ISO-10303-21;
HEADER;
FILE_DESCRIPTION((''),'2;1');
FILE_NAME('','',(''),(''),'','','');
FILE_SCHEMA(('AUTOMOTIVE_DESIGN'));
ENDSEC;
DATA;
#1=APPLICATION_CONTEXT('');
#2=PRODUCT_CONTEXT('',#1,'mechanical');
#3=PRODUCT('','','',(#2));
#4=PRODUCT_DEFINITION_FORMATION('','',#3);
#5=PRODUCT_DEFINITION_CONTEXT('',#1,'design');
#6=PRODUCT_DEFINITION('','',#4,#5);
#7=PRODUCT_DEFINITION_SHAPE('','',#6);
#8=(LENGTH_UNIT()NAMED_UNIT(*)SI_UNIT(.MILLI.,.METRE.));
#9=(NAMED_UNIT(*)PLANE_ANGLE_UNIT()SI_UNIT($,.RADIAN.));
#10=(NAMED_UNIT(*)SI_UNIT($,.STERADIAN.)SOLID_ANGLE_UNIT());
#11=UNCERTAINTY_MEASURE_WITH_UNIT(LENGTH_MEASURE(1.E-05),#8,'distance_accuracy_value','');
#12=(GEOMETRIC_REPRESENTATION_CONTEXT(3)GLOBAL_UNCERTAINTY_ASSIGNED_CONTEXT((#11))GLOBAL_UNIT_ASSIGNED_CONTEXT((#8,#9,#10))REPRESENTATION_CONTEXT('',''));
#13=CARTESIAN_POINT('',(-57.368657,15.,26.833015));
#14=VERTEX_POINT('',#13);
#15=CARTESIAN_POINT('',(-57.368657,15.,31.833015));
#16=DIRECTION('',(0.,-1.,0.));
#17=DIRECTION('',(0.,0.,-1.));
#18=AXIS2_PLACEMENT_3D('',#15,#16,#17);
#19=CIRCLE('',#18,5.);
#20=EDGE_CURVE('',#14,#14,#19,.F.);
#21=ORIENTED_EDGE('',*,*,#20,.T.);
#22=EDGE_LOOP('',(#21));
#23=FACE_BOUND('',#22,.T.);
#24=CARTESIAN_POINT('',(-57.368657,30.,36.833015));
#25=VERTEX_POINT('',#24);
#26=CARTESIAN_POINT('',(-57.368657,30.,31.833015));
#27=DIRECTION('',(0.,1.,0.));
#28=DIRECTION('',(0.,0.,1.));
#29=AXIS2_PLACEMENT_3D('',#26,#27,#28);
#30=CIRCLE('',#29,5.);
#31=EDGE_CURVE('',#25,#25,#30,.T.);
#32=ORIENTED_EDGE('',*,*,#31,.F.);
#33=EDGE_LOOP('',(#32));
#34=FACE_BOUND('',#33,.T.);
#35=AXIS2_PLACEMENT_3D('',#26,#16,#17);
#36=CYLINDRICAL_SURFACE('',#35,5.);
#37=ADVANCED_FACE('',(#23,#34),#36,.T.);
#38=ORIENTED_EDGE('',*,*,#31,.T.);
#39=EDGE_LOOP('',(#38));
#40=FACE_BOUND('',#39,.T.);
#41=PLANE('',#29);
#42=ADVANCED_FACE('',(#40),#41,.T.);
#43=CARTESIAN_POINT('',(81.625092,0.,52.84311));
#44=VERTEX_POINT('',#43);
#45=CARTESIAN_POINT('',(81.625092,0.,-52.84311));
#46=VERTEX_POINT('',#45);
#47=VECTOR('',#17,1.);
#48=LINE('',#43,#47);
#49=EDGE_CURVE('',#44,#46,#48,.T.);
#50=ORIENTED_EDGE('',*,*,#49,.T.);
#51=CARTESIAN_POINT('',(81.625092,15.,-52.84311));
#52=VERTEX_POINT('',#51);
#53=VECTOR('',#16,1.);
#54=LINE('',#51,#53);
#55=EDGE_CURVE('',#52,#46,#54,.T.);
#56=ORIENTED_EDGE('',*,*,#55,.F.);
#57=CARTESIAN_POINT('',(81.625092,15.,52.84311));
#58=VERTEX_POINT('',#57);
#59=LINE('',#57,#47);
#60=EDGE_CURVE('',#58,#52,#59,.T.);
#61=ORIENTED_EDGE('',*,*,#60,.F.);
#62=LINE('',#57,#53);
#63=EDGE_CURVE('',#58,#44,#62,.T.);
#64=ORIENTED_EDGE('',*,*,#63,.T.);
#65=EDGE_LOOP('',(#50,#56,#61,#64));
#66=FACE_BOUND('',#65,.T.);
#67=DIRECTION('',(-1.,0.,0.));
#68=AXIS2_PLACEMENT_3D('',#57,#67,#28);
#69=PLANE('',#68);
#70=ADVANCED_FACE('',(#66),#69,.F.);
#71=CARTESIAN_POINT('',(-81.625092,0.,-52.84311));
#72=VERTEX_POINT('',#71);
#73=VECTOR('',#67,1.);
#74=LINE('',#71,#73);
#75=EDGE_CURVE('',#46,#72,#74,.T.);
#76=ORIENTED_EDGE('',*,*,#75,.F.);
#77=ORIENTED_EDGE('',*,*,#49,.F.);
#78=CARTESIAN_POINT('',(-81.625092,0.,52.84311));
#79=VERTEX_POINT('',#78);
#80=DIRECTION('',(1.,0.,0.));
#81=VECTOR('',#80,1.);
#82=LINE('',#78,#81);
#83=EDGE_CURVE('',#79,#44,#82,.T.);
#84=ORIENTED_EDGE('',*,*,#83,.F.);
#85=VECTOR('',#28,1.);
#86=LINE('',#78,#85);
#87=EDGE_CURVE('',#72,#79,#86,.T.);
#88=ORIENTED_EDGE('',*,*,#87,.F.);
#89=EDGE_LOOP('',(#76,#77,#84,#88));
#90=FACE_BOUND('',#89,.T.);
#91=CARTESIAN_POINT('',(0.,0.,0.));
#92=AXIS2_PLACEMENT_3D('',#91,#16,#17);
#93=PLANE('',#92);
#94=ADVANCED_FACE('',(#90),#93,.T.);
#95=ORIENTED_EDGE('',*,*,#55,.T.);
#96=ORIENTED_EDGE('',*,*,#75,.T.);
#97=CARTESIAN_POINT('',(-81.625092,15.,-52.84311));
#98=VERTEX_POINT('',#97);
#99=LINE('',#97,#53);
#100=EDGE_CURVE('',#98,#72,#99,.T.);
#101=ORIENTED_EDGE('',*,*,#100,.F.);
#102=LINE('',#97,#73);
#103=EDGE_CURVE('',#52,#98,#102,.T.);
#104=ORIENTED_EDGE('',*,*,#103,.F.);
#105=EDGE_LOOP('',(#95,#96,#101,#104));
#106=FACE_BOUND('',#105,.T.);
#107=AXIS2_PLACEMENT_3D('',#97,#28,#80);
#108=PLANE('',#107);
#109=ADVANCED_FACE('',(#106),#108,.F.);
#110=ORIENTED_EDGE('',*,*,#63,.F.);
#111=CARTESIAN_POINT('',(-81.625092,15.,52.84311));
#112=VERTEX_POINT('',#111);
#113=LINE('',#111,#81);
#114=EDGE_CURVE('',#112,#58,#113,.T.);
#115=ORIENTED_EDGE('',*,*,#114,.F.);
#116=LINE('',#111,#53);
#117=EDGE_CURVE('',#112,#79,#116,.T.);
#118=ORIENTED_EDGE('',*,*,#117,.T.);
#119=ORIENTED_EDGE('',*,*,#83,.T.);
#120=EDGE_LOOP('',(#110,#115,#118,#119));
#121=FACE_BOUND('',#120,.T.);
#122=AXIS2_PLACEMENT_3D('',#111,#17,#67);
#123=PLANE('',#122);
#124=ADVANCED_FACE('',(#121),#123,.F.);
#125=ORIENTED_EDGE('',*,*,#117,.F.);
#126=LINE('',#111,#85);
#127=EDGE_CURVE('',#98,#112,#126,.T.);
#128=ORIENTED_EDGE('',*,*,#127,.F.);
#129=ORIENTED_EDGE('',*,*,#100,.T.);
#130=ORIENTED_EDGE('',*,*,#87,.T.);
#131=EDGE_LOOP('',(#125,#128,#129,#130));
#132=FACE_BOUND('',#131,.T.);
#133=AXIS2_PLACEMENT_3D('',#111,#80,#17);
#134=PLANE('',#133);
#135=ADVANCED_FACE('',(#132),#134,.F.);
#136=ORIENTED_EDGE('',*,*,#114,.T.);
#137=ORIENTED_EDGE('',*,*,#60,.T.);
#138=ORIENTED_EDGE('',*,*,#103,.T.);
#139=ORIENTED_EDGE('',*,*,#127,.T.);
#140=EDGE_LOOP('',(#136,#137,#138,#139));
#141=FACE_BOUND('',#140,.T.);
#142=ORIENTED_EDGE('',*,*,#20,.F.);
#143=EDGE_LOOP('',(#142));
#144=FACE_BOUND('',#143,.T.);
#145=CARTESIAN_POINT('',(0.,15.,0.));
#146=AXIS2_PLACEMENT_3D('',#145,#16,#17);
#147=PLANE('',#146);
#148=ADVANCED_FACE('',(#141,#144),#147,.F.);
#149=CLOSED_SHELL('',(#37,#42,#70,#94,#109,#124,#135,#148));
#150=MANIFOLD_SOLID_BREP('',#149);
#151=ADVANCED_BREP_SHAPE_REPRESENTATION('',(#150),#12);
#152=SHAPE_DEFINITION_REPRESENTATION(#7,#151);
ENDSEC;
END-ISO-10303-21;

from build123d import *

# Parameters (mm, degrees)
SKETCH4_W           = 163.250183294
SKETCH4_H           = 105.686219408
BOSS_EXTRUDE2_DEPTH = 15
SKETCH5_R           = 5
BOSS_EXTRUDE3_DEPTH = 15


with BuildPart() as part:
    # Sketch4 → Boss-Extrude2 (new body)
    with BuildSketch(Plane(origin=(0, 0, 0), x_dir=(1, 0, 0), z_dir=(0, 1, 0))):
        Rectangle(SKETCH4_W, SKETCH4_H)
    extrude(amount=BOSS_EXTRUDE2_DEPTH)

    # Sketch5 → Boss-Extrude3 (add)
    with BuildSketch(Plane(origin=(0, 15, 0), x_dir=(1, 0, 0), z_dir=(0, 1, 0))):
        with Locations(Location((-57.368656938, -31.833015038, 0), (0, 0, 90))):
            Circle(SKETCH5_R)
    extrude(amount=BOSS_EXTRUDE3_DEPTH)


solid = part.part
